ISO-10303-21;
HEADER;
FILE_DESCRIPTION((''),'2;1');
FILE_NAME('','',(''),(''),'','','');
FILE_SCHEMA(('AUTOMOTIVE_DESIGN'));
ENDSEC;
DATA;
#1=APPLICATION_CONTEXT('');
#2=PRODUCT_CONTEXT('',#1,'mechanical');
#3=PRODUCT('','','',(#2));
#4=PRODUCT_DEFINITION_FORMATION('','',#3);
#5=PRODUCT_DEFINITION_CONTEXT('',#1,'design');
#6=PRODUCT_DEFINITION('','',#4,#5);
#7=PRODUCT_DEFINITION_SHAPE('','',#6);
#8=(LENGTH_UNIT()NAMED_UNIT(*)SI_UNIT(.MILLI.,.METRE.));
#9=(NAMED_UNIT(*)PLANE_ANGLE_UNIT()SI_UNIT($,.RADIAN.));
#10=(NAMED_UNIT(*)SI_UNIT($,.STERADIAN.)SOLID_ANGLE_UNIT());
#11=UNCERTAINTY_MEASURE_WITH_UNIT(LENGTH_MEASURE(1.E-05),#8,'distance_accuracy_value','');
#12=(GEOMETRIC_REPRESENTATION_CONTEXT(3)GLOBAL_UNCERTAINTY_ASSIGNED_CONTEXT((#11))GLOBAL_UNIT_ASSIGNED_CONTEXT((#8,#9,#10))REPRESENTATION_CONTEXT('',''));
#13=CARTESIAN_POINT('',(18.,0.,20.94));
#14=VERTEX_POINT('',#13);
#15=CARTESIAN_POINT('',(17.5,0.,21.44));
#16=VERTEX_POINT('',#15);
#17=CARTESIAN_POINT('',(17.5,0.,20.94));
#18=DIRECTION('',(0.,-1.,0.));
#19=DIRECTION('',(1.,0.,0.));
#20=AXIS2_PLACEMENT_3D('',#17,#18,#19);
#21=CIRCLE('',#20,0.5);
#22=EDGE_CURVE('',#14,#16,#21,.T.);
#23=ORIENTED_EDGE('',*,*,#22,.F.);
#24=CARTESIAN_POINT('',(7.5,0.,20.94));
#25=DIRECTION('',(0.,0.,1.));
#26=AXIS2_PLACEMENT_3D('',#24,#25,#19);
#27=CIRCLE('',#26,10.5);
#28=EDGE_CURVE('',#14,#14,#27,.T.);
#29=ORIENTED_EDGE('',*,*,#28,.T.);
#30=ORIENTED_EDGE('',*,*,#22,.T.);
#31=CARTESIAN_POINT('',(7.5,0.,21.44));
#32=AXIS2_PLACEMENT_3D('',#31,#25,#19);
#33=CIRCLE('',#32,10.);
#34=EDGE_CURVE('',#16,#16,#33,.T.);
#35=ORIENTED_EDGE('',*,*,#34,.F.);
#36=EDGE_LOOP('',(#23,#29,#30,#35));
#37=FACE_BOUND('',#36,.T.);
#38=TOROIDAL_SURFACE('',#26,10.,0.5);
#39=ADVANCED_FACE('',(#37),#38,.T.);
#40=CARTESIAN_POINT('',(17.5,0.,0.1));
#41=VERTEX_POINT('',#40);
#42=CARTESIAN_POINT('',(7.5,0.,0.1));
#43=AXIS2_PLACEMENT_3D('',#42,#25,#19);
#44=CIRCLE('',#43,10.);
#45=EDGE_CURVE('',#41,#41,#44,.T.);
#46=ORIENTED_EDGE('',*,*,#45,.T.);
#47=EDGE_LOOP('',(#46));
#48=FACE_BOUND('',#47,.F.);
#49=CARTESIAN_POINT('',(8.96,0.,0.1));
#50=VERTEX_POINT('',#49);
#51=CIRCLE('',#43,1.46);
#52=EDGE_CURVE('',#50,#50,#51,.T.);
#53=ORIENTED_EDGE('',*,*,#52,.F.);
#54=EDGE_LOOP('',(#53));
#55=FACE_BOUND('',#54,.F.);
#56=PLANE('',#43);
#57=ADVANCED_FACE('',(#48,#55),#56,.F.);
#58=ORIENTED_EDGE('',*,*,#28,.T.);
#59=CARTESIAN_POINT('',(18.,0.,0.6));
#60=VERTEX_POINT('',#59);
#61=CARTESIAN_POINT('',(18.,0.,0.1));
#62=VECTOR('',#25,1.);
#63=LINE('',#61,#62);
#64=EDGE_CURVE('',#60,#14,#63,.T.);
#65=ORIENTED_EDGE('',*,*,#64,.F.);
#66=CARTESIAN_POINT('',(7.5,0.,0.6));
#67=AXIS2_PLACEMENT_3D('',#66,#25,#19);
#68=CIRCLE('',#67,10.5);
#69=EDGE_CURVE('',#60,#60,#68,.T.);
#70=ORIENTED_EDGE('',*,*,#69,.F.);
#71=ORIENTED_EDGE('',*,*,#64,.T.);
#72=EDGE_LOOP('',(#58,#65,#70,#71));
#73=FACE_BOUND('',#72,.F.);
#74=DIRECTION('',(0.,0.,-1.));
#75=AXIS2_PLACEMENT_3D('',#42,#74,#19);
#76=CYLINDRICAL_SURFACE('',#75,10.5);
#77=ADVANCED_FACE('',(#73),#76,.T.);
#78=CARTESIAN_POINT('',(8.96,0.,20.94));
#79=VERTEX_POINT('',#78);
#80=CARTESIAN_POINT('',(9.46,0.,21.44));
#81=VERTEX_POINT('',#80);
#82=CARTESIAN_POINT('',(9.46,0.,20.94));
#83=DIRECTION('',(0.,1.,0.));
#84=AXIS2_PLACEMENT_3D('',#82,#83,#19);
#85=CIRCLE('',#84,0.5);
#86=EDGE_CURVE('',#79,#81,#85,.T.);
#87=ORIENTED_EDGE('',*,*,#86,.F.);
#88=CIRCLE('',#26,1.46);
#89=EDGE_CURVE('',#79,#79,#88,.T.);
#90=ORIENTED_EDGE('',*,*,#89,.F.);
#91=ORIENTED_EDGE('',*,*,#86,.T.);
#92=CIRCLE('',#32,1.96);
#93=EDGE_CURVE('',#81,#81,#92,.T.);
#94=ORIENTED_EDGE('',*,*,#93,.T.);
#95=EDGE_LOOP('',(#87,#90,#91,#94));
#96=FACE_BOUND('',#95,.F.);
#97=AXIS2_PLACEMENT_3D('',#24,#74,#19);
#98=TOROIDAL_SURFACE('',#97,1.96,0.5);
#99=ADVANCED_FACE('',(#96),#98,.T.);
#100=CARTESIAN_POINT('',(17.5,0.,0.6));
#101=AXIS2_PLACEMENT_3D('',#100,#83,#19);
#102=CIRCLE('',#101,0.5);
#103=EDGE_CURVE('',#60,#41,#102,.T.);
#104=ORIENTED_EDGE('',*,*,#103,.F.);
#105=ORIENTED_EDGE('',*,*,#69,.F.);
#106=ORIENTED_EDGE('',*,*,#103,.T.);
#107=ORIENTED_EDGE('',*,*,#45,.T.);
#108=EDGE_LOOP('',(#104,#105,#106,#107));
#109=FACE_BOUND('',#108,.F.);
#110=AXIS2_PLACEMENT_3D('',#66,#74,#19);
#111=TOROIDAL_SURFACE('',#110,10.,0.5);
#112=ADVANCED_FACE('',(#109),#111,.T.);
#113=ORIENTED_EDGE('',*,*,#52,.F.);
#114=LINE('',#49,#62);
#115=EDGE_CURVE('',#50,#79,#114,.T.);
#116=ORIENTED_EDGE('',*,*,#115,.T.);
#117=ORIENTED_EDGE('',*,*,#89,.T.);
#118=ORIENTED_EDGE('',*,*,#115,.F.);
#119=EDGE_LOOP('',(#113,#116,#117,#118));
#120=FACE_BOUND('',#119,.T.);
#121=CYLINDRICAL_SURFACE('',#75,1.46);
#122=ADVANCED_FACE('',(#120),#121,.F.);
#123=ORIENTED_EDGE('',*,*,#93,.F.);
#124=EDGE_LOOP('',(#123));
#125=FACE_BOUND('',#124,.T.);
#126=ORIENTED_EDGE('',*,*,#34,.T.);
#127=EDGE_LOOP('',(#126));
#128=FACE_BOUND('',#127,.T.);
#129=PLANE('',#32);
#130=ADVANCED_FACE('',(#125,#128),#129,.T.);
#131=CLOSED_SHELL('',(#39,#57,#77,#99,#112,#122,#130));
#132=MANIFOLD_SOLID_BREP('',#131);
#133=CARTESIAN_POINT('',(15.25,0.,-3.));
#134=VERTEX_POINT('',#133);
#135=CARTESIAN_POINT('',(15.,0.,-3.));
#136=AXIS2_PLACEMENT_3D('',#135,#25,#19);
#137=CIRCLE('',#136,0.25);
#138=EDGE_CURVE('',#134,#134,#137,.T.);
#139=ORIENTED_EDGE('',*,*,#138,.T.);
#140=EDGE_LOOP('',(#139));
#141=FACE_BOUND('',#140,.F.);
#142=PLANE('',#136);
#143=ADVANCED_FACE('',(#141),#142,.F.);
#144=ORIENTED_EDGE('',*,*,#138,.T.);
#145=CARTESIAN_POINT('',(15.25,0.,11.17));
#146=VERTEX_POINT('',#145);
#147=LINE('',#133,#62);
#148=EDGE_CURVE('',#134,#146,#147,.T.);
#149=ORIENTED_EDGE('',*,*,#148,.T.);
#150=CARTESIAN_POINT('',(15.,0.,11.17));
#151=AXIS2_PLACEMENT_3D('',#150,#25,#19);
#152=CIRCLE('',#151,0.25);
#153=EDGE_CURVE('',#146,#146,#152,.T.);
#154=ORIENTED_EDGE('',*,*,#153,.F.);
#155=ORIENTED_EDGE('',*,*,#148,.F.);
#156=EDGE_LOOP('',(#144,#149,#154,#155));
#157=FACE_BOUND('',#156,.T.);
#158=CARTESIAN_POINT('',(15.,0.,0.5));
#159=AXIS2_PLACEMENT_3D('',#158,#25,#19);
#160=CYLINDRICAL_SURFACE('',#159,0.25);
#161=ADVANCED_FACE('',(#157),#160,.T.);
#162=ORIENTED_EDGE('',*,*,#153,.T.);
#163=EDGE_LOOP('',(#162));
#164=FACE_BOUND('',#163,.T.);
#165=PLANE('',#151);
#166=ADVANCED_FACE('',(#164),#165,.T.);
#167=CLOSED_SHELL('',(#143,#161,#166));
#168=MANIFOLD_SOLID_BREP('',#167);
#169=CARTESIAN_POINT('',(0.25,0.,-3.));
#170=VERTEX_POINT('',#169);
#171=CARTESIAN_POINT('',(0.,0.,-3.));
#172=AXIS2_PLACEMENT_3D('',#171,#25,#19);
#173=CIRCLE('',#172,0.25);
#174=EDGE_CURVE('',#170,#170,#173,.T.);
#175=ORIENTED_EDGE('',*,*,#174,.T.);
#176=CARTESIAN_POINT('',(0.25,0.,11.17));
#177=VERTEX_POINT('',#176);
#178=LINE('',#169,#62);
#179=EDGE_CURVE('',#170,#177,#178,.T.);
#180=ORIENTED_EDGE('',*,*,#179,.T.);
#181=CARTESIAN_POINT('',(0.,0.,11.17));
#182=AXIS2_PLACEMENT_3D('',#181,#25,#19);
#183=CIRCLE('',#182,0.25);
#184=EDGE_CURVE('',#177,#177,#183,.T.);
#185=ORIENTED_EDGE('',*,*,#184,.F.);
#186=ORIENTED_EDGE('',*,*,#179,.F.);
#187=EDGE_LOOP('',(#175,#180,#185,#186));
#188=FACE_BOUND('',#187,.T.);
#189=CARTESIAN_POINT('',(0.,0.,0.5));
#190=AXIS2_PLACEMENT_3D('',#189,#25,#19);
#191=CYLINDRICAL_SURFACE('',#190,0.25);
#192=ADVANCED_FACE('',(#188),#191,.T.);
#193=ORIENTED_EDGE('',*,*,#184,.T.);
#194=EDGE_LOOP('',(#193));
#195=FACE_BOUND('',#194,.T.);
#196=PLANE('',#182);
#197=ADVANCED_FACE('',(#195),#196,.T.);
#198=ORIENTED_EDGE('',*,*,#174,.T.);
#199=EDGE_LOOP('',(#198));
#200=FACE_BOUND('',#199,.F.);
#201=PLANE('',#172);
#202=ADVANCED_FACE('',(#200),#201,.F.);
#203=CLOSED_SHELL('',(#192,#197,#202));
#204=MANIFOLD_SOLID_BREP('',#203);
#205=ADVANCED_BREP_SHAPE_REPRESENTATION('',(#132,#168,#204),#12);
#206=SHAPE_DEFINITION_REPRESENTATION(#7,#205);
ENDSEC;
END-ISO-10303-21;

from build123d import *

# Parameters (mm, degrees)
SKETCH001_R       = 0.25
PAD001_DEPTH      = 10.67
PAD001_DEPTH_BACK = 3.5
SKETCH_R          = 10.5
SKETCH_R_2        = 1.46
PAD_DEPTH         = 21.34
FILLET_R          = 0.5


with BuildPart() as pad001:
    # Sketch001 → Pad001 (new body, two sides)
    with BuildSketch(Plane.XY.offset(0.5)) as pad001_sk:
        Circle(SKETCH001_R)
        with Locations((15, 0)):
            Circle(SKETCH001_R)
    extrude(amount=PAD001_DEPTH)
    extrude(pad001_sk.sketch, amount=-PAD001_DEPTH_BACK)


with BuildPart() as fillet_body:
    # Sketch → Pad (new body)
    with BuildSketch(Plane.XY.offset(0.1)):
        with Locations((7.5, 0)):
            Circle(SKETCH_R)
        with Locations((7.5, 0)):
            Circle(SKETCH_R_2, mode=Mode.SUBTRACT)
    extrude(amount=PAD_DEPTH)

    # Fillet
    fillet_edges = [fillet_body.edges().sort_by_distance(p)[0] for p in [
        (6.04, 0, 21.44),
        (-3, 0, 21.44),
        (-3, 0, 0.1),
    ]]
    fillet(fillet_edges, radius=FILLET_R)


solid = Compound([pad001.part, fillet_body.part])
